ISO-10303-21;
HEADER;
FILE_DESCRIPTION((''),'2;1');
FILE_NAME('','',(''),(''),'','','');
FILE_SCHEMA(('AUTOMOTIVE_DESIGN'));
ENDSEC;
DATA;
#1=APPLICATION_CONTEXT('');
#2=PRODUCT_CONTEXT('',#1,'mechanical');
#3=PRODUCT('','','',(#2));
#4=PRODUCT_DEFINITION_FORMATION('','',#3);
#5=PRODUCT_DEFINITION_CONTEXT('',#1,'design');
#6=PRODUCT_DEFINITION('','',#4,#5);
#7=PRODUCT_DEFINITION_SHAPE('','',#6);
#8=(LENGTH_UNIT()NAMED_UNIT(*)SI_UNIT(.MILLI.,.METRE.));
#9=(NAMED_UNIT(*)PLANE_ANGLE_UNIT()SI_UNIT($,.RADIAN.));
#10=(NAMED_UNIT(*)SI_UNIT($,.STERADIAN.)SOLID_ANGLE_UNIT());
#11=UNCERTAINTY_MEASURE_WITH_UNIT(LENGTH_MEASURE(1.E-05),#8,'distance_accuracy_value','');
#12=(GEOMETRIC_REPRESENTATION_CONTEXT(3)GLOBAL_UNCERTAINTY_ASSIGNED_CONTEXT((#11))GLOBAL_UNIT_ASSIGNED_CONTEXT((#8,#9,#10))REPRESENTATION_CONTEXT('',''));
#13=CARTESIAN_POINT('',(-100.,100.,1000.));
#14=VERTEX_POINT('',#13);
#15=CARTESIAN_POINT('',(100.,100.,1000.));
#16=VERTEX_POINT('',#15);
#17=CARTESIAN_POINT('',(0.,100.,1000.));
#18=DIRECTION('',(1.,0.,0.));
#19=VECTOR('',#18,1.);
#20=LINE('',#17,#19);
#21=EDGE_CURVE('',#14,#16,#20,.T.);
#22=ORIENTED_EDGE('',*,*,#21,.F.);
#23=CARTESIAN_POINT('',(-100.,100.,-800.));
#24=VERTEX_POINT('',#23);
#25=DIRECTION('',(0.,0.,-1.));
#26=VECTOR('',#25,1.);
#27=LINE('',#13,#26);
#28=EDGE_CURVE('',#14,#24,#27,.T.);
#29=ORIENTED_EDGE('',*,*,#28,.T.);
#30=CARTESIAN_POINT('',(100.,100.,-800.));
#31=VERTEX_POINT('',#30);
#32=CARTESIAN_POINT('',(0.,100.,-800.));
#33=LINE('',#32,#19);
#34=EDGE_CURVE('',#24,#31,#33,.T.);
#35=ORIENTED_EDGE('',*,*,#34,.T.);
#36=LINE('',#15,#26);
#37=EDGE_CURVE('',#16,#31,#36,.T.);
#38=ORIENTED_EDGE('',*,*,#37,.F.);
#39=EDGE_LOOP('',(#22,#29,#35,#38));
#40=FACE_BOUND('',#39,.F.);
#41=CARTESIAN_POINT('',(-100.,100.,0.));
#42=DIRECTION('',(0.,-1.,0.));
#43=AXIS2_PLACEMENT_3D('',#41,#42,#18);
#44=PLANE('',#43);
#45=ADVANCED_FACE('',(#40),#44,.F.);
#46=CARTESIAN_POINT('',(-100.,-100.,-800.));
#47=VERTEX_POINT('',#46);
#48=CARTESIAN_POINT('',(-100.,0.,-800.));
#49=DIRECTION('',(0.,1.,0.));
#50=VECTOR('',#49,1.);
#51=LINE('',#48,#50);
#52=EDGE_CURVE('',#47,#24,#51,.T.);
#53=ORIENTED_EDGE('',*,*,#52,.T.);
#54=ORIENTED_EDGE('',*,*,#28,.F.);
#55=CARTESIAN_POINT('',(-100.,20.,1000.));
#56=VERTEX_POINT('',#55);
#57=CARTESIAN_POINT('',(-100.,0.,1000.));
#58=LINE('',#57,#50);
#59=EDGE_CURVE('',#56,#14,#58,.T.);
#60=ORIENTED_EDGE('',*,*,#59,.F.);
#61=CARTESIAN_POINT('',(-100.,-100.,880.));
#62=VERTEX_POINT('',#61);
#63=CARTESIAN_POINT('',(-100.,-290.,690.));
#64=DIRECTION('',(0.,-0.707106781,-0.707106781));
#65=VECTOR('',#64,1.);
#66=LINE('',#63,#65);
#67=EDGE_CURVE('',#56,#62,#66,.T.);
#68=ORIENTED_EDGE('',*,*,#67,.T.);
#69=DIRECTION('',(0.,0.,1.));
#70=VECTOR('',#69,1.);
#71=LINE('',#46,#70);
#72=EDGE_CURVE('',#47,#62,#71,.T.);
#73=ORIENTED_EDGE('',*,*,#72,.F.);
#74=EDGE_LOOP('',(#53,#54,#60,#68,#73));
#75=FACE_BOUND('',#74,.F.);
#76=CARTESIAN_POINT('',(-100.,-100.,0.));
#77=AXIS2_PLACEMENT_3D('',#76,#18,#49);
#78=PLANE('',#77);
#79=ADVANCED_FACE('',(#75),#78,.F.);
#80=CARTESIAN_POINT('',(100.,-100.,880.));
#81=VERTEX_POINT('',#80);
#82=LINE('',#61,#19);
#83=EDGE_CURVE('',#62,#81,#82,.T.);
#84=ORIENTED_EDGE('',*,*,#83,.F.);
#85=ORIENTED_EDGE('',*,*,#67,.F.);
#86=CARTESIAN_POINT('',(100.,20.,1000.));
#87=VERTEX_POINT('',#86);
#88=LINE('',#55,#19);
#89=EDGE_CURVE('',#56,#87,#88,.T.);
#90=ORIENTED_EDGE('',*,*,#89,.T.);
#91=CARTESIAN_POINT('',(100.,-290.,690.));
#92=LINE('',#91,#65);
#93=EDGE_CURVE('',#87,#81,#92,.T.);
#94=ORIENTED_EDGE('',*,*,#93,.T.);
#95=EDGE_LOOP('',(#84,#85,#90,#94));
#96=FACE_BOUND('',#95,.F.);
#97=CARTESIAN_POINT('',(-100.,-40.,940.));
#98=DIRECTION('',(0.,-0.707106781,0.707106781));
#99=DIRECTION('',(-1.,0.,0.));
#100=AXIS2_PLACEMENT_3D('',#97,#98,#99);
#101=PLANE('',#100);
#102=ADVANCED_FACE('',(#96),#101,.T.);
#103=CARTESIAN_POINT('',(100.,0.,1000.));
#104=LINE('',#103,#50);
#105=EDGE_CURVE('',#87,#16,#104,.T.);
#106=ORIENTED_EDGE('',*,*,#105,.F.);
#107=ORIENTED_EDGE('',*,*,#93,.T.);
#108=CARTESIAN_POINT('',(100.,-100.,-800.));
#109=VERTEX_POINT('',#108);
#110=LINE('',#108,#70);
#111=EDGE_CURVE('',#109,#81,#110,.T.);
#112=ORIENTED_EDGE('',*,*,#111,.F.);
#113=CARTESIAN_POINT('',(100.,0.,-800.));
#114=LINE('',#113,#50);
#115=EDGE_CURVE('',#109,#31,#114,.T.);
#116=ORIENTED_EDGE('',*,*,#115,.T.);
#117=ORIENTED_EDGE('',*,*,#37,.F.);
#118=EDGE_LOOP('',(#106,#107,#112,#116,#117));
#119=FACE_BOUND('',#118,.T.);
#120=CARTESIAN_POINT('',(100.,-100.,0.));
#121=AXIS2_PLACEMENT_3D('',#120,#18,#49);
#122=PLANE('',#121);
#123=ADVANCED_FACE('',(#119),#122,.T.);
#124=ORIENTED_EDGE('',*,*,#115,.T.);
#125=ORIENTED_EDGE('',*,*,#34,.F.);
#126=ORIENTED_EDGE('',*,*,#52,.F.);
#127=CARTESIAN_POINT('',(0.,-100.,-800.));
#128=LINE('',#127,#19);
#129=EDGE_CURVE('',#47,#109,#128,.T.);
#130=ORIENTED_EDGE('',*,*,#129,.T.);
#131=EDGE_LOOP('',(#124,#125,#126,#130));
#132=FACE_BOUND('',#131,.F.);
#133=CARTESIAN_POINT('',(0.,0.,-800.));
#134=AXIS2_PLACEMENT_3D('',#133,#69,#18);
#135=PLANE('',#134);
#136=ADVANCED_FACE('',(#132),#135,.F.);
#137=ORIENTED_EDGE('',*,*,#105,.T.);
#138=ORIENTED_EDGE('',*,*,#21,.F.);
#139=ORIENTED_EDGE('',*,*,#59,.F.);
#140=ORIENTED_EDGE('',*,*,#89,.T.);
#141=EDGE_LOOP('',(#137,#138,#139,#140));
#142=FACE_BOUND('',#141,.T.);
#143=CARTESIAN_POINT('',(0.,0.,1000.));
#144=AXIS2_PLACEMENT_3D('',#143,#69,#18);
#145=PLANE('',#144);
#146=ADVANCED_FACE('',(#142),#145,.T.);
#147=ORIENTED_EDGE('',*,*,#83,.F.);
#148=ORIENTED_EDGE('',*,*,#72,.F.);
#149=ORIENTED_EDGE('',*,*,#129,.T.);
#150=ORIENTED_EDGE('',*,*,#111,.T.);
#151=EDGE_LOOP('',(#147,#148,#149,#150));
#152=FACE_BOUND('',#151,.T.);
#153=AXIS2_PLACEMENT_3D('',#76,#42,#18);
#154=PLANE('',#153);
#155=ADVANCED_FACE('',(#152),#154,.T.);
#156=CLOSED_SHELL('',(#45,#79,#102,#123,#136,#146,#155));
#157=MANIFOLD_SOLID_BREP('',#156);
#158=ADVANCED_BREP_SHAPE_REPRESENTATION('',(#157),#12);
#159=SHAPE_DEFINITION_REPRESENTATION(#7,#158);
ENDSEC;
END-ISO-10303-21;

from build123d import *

# Parameters (mm, degrees)
F0_W          = 200
F0_H          = 200
F1_DEPTH      = 1000
F1_DEPTH_BACK = 800
F2_SIZE       = 120


with BuildPart() as f1:
    # F0 (on Top) → F1 (new body, two sides)
    with BuildSketch(Plane.XY) as f1_sk:
        Rectangle(F0_W, F0_H)
    extrude(amount=F1_DEPTH)
    extrude(f1_sk.sketch, amount=-F1_DEPTH_BACK)

    # F2
    f2_edges = [f1.edges().sort_by_distance(p)[0] for p in [
        (0, -100, 1000),
    ]]
    chamfer(f2_edges, length=F2_SIZE)


solid = f1.part
